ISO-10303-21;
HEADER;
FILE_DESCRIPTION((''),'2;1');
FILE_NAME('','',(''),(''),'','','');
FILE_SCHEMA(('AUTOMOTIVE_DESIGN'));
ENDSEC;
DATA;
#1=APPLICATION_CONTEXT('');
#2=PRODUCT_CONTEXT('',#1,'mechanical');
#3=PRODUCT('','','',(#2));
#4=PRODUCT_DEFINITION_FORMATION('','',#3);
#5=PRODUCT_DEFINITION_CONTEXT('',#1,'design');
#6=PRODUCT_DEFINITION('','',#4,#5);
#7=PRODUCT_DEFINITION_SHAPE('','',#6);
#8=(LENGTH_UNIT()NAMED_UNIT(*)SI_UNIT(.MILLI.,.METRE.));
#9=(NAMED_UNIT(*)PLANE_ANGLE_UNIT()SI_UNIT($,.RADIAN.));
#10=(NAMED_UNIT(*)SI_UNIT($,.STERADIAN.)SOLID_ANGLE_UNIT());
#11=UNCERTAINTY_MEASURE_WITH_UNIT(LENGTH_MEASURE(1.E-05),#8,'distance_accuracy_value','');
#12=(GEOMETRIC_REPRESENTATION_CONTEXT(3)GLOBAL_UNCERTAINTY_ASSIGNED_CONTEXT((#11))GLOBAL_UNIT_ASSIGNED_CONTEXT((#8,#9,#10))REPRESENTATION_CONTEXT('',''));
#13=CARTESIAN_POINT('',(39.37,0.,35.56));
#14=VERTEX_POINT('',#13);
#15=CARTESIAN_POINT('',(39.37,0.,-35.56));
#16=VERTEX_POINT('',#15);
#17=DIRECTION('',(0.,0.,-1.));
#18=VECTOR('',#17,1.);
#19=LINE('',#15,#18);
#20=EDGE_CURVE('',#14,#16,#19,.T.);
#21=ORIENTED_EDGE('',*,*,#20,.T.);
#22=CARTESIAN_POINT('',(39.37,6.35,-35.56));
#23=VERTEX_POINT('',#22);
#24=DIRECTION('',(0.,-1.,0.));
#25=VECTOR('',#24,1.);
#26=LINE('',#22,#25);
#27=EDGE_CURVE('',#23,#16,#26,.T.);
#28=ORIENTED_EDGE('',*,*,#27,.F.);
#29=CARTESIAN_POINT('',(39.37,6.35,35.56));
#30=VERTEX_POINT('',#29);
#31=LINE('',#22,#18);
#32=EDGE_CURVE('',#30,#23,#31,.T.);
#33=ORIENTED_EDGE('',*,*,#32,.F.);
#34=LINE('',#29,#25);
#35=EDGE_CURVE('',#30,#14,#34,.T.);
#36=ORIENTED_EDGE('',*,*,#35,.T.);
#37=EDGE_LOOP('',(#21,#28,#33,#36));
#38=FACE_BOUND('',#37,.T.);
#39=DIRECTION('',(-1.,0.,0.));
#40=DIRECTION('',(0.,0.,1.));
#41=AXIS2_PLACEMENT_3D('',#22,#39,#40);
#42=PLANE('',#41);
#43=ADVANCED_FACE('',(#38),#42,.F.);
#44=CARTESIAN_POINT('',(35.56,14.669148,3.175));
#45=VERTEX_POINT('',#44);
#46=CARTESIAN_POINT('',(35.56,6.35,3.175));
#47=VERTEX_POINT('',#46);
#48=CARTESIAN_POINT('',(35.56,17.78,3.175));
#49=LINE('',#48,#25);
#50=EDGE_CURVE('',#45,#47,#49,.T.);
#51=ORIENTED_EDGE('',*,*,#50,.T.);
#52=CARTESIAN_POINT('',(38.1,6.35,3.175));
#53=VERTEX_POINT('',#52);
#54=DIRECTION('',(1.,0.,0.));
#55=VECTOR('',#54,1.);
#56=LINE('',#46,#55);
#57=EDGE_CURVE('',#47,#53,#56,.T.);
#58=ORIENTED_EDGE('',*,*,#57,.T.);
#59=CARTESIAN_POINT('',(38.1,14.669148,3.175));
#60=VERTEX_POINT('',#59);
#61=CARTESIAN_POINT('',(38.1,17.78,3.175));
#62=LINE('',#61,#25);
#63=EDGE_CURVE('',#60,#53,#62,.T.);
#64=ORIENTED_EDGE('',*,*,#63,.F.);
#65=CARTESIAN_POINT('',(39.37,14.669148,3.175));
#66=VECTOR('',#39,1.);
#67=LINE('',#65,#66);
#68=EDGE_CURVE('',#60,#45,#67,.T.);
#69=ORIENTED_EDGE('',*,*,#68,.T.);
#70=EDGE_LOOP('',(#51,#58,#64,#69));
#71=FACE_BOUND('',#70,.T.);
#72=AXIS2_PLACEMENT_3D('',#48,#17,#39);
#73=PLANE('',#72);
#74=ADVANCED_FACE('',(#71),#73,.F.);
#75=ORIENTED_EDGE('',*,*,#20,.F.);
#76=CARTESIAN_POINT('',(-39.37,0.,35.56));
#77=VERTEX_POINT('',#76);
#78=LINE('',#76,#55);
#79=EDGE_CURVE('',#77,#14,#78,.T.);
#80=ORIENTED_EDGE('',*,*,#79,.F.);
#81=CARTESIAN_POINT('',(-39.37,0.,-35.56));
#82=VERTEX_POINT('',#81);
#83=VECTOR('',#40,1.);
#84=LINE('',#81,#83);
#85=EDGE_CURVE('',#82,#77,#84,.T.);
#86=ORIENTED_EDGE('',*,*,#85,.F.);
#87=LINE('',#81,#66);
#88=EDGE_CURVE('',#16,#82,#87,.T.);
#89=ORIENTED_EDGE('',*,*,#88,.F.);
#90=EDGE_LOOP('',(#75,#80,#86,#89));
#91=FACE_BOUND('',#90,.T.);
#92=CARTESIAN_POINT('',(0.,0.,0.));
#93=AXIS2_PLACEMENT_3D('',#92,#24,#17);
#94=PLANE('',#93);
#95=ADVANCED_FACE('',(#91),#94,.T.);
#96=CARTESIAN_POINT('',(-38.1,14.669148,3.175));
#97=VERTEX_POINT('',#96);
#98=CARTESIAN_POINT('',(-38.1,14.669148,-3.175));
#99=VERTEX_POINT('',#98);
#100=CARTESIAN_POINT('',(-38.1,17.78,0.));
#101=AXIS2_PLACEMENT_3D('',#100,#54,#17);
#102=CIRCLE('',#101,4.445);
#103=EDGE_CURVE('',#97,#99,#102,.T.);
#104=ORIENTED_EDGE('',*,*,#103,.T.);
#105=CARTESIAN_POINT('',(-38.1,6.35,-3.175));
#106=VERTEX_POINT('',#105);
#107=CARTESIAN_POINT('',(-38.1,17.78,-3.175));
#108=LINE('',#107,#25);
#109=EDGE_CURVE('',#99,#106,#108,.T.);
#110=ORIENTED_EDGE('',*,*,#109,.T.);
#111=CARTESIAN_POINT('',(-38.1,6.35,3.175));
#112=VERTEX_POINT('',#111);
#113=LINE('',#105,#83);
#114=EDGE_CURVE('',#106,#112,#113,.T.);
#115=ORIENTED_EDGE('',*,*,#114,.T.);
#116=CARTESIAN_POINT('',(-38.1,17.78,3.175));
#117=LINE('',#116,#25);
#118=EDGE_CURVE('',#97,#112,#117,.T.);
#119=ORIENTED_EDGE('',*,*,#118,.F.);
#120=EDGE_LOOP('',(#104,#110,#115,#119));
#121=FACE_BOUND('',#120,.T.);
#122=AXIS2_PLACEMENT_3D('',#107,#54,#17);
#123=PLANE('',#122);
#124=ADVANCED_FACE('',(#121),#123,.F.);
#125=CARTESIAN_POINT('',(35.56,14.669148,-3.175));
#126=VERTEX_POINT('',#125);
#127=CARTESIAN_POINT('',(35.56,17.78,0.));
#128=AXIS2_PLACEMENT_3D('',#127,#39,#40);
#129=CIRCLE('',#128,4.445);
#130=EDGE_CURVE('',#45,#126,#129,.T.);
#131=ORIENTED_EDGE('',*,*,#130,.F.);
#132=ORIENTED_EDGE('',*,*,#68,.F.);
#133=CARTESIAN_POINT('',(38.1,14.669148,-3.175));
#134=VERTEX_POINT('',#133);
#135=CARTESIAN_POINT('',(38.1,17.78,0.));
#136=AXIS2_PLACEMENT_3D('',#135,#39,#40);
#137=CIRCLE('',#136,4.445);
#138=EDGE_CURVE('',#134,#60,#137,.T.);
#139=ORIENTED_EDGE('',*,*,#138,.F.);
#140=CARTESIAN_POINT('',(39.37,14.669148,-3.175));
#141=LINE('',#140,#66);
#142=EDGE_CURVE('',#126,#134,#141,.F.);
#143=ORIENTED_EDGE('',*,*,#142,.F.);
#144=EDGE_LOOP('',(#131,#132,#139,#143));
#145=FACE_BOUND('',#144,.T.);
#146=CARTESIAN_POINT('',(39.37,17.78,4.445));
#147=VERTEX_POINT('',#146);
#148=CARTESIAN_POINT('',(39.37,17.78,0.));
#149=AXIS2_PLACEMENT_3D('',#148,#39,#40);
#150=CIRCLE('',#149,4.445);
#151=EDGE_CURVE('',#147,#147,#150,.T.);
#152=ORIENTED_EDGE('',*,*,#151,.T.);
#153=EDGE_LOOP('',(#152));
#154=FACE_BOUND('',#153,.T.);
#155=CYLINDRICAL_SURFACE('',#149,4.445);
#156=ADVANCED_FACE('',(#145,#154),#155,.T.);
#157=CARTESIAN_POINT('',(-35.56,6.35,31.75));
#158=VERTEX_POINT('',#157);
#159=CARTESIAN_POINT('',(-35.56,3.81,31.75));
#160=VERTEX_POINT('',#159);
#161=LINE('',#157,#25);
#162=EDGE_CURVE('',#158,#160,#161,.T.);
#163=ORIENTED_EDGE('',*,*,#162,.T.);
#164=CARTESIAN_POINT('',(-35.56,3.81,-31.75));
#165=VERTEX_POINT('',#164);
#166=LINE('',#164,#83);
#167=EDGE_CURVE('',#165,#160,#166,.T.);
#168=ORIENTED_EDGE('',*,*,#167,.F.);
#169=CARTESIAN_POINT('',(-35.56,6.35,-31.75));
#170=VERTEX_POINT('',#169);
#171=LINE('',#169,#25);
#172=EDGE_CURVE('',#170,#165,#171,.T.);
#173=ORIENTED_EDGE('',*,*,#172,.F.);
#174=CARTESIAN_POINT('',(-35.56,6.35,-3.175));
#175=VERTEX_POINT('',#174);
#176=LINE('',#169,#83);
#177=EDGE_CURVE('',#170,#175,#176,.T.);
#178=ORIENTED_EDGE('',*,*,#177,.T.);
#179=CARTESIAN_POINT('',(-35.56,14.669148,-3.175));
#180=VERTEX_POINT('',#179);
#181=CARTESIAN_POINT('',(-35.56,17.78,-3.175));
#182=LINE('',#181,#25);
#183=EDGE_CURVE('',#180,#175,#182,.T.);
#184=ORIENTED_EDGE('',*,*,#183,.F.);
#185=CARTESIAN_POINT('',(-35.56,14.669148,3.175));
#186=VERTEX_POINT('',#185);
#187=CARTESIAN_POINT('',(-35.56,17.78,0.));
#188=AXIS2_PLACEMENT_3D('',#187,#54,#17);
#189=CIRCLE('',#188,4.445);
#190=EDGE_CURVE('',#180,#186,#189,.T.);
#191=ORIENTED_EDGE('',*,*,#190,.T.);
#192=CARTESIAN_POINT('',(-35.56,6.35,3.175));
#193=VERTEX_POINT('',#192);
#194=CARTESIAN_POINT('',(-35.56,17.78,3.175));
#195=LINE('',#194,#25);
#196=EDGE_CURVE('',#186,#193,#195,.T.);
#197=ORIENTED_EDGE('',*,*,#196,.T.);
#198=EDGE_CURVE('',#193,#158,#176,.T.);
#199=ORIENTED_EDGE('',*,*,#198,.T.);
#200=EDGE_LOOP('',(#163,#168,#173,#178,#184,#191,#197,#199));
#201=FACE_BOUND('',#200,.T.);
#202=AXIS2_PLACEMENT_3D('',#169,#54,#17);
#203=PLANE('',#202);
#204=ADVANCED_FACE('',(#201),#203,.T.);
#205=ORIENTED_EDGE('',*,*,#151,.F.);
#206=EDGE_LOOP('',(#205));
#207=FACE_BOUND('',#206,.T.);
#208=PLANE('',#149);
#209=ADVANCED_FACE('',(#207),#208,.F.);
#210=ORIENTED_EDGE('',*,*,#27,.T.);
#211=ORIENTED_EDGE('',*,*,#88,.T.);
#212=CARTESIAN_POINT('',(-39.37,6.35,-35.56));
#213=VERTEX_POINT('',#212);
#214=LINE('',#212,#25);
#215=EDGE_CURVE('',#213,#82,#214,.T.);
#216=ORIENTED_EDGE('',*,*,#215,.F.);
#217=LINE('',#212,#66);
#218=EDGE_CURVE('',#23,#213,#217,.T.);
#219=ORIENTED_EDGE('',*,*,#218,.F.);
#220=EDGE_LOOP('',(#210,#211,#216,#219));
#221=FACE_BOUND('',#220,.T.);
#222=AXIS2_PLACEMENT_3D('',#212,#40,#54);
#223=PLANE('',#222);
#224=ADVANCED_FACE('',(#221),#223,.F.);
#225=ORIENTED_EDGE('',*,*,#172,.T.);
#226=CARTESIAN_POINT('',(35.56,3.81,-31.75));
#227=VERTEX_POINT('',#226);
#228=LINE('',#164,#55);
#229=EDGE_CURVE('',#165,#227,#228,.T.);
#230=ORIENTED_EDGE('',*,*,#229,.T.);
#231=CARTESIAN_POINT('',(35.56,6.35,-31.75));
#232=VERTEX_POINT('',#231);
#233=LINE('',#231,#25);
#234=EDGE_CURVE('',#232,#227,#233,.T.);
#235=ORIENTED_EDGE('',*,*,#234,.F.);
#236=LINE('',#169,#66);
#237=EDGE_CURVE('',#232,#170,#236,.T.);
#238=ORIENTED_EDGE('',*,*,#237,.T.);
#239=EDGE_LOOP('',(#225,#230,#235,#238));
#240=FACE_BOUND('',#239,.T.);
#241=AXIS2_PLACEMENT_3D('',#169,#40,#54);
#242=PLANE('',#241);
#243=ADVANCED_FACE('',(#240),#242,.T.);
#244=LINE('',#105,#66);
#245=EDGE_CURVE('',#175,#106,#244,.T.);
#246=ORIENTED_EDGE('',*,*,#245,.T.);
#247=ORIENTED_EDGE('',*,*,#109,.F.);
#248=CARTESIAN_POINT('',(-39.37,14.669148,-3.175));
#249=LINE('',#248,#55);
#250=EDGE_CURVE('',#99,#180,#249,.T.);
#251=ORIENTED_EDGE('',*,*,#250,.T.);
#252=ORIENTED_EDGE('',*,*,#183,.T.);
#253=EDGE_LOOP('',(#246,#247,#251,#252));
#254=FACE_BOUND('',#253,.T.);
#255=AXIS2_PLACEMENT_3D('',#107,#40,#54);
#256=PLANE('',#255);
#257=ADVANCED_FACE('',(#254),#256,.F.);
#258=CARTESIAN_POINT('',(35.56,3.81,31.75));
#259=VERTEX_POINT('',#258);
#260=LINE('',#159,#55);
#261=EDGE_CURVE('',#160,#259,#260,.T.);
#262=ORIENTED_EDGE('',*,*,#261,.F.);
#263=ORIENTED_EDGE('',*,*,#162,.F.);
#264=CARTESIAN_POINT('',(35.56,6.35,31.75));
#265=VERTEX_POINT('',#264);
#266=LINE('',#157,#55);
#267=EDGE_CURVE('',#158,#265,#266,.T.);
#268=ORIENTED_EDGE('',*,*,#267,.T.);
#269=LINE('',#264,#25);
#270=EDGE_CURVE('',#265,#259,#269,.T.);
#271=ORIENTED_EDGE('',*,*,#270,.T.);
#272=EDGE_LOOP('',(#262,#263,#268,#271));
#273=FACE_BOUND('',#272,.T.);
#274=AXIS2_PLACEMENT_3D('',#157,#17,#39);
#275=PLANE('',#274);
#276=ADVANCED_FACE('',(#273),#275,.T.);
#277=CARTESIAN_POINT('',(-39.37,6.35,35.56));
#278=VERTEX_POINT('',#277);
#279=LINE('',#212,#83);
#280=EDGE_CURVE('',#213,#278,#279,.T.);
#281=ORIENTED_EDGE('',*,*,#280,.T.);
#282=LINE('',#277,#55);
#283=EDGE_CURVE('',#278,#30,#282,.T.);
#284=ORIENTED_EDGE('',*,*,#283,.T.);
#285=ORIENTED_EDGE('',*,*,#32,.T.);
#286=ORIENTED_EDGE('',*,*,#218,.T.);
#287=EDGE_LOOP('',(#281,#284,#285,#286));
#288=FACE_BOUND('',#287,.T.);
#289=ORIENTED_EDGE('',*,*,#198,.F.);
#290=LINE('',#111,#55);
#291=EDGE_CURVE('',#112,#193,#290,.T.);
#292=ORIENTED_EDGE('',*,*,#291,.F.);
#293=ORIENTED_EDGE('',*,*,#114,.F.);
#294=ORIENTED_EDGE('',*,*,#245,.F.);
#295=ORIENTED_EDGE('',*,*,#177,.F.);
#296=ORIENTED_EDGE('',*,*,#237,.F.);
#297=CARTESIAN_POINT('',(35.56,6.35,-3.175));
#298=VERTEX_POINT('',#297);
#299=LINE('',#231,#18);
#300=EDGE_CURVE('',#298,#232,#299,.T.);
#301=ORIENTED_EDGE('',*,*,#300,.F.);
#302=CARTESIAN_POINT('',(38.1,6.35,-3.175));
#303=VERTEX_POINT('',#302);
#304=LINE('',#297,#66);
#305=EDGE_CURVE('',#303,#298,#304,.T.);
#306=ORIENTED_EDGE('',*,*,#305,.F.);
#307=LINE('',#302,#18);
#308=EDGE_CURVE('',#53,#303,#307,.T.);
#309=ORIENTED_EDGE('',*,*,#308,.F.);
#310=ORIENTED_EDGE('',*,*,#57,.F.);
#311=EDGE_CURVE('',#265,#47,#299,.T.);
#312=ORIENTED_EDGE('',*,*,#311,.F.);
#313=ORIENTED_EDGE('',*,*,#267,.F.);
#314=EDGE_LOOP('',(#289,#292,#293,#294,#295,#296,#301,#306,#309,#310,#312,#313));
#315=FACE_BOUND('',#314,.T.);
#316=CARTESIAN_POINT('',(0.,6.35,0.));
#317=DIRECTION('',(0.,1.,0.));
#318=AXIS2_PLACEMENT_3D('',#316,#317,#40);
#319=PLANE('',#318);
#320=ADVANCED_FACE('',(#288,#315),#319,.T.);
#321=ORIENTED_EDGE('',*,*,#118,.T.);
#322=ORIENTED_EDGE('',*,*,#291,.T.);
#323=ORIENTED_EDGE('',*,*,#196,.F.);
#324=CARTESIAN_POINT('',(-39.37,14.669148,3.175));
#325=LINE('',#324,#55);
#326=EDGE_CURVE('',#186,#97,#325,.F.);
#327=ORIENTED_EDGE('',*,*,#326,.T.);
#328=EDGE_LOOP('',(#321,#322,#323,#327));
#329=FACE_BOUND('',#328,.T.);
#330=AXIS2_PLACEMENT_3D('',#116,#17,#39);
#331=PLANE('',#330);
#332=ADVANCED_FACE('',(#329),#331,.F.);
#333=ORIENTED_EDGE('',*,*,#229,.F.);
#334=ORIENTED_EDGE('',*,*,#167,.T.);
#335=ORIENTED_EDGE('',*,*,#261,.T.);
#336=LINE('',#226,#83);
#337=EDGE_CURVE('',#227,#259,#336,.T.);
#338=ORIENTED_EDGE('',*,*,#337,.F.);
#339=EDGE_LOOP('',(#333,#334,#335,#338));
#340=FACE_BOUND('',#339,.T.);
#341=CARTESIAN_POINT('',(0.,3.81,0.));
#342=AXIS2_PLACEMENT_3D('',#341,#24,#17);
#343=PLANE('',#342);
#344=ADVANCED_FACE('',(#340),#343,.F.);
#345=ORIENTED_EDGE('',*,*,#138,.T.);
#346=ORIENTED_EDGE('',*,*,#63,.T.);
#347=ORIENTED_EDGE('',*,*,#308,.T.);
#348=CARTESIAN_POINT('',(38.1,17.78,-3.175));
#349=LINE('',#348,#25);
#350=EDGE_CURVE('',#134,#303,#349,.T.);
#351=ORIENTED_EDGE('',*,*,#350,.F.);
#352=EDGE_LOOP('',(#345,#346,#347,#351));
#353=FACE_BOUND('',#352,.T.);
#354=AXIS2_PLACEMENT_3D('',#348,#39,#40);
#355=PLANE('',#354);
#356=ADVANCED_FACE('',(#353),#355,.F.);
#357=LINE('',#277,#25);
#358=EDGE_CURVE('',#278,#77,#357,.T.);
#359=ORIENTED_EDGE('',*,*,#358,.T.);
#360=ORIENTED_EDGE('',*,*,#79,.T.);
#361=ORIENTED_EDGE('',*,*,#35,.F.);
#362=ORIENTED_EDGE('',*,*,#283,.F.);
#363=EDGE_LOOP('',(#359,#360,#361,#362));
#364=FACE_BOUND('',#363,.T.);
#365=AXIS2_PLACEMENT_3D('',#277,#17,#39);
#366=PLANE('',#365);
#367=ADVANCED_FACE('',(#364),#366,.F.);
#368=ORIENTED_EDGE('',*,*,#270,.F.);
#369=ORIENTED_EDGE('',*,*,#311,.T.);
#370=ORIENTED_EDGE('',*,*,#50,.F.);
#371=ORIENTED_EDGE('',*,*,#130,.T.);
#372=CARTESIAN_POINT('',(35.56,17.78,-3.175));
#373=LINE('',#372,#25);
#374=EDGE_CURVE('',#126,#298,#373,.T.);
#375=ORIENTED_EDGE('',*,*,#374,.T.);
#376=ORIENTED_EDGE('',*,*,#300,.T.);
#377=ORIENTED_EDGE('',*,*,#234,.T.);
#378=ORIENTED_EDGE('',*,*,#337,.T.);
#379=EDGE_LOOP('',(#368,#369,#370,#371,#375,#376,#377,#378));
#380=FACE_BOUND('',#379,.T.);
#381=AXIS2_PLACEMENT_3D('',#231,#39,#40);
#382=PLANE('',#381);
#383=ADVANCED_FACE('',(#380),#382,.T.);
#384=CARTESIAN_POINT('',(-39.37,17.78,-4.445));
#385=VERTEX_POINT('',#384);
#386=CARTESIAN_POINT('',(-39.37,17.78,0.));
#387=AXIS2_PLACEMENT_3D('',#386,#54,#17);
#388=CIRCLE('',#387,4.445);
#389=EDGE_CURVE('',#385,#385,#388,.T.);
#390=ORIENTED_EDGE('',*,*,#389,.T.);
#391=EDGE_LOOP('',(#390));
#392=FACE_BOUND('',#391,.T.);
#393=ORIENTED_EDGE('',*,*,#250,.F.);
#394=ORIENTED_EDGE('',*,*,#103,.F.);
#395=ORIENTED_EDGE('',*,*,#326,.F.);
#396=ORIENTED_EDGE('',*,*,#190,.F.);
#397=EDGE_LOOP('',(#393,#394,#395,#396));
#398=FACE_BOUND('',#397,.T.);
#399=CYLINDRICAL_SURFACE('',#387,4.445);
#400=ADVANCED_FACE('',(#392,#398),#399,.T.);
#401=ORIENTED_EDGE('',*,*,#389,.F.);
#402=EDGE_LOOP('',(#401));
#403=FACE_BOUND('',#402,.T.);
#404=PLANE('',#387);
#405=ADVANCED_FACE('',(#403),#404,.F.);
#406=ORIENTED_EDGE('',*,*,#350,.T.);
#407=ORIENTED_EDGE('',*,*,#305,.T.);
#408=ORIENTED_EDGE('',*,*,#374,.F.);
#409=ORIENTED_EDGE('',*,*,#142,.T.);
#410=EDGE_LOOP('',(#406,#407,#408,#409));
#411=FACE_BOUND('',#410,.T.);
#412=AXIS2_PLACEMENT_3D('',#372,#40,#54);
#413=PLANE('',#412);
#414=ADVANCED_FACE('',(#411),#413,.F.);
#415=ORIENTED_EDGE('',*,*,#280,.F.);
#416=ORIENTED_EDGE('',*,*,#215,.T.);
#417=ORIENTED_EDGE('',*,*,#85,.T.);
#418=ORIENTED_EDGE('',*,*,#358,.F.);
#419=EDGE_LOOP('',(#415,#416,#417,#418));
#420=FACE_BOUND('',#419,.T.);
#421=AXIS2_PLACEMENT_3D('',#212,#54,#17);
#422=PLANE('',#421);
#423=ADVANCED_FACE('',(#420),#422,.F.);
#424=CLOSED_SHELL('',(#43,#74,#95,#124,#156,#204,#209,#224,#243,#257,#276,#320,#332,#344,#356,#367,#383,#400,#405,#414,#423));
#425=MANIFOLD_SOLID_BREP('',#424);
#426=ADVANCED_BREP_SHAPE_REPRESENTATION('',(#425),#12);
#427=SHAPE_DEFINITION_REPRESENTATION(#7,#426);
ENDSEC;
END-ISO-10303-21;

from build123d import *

# Parameters (mm, degrees)
SKETCH1_W           = 71.12
SKETCH1_H           = 63.5
INNER_LID_DEPTH     = 3.81
SKETCH1_5_W         = 78.74
SKETCH1_5_H         = 71.12
SKETCH1_5_W_2       = 71.12
SKETCH1_5_H_2       = 63.5
OUTER_LID_DEPTH     = 6.35
SKETCH2_W           = 2.54
SKETCH2_H           = 6.35
HOLE_SLIDES_DEPTH   = 11.43
SKETCH3_R           = 4.445
HOLE_LID_1_DEPTH    = 3.81
BOSS_EXTRUDE5_START = -3.81
SKETCH4_R           = 4.445
BOSS_EXTRUDE5_DEPTH = 3.81


with BuildPart() as part:
    # Sketch1 → inner-lid (new body)
    with BuildSketch(Plane(origin=(0, 0, 0), x_dir=(1, 0, 0), z_dir=(0, 1, 0))):
        Rectangle(SKETCH1_W, SKETCH1_H)
    extrude(amount=INNER_LID_DEPTH)

    # Sketch1<5> → outer-lid (add)
    with BuildSketch(Plane(origin=(0, 0, 0), x_dir=(1, 0, 0), z_dir=(0, 1, 0))):
        Rectangle(SKETCH1_5_W, SKETCH1_5_H)
        Rectangle(SKETCH1_5_W_2, SKETCH1_5_H_2, mode=Mode.SUBTRACT)
    extrude(amount=OUTER_LID_DEPTH)

    # Sketch2 → hole-slides (add)
    with BuildSketch(Plane(origin=(0, 6.35, 0), x_dir=(1, 0, 0), z_dir=(0, 1, 0))):
        with Locations((36.83, 0)):
            Rectangle(SKETCH2_W, SKETCH2_H)
        with Locations((-36.83, 0)):
            Rectangle(SKETCH2_W, SKETCH2_H)
    extrude(amount=HOLE_SLIDES_DEPTH)

    # Sketch3 → hole-lid-1 (add)
    with BuildSketch(Plane(origin=(-35.56, 0, 0), x_dir=(0, 0, -1), z_dir=(1, 0, 0))):
        with Locations((0, 17.78)):
            Circle(SKETCH3_R)
    extrude(amount=-HOLE_LID_1_DEPTH)

    # Sketch4 → Boss-Extrude5 (add)
    with BuildSketch(Plane.ZY.offset(-35.56).offset(BOSS_EXTRUDE5_START)):
        with Locations(Location((0, 17.78, 0), (0, 0, 180))):
            Circle(SKETCH4_R)
    extrude(amount=BOSS_EXTRUDE5_DEPTH)


solid = part.part
